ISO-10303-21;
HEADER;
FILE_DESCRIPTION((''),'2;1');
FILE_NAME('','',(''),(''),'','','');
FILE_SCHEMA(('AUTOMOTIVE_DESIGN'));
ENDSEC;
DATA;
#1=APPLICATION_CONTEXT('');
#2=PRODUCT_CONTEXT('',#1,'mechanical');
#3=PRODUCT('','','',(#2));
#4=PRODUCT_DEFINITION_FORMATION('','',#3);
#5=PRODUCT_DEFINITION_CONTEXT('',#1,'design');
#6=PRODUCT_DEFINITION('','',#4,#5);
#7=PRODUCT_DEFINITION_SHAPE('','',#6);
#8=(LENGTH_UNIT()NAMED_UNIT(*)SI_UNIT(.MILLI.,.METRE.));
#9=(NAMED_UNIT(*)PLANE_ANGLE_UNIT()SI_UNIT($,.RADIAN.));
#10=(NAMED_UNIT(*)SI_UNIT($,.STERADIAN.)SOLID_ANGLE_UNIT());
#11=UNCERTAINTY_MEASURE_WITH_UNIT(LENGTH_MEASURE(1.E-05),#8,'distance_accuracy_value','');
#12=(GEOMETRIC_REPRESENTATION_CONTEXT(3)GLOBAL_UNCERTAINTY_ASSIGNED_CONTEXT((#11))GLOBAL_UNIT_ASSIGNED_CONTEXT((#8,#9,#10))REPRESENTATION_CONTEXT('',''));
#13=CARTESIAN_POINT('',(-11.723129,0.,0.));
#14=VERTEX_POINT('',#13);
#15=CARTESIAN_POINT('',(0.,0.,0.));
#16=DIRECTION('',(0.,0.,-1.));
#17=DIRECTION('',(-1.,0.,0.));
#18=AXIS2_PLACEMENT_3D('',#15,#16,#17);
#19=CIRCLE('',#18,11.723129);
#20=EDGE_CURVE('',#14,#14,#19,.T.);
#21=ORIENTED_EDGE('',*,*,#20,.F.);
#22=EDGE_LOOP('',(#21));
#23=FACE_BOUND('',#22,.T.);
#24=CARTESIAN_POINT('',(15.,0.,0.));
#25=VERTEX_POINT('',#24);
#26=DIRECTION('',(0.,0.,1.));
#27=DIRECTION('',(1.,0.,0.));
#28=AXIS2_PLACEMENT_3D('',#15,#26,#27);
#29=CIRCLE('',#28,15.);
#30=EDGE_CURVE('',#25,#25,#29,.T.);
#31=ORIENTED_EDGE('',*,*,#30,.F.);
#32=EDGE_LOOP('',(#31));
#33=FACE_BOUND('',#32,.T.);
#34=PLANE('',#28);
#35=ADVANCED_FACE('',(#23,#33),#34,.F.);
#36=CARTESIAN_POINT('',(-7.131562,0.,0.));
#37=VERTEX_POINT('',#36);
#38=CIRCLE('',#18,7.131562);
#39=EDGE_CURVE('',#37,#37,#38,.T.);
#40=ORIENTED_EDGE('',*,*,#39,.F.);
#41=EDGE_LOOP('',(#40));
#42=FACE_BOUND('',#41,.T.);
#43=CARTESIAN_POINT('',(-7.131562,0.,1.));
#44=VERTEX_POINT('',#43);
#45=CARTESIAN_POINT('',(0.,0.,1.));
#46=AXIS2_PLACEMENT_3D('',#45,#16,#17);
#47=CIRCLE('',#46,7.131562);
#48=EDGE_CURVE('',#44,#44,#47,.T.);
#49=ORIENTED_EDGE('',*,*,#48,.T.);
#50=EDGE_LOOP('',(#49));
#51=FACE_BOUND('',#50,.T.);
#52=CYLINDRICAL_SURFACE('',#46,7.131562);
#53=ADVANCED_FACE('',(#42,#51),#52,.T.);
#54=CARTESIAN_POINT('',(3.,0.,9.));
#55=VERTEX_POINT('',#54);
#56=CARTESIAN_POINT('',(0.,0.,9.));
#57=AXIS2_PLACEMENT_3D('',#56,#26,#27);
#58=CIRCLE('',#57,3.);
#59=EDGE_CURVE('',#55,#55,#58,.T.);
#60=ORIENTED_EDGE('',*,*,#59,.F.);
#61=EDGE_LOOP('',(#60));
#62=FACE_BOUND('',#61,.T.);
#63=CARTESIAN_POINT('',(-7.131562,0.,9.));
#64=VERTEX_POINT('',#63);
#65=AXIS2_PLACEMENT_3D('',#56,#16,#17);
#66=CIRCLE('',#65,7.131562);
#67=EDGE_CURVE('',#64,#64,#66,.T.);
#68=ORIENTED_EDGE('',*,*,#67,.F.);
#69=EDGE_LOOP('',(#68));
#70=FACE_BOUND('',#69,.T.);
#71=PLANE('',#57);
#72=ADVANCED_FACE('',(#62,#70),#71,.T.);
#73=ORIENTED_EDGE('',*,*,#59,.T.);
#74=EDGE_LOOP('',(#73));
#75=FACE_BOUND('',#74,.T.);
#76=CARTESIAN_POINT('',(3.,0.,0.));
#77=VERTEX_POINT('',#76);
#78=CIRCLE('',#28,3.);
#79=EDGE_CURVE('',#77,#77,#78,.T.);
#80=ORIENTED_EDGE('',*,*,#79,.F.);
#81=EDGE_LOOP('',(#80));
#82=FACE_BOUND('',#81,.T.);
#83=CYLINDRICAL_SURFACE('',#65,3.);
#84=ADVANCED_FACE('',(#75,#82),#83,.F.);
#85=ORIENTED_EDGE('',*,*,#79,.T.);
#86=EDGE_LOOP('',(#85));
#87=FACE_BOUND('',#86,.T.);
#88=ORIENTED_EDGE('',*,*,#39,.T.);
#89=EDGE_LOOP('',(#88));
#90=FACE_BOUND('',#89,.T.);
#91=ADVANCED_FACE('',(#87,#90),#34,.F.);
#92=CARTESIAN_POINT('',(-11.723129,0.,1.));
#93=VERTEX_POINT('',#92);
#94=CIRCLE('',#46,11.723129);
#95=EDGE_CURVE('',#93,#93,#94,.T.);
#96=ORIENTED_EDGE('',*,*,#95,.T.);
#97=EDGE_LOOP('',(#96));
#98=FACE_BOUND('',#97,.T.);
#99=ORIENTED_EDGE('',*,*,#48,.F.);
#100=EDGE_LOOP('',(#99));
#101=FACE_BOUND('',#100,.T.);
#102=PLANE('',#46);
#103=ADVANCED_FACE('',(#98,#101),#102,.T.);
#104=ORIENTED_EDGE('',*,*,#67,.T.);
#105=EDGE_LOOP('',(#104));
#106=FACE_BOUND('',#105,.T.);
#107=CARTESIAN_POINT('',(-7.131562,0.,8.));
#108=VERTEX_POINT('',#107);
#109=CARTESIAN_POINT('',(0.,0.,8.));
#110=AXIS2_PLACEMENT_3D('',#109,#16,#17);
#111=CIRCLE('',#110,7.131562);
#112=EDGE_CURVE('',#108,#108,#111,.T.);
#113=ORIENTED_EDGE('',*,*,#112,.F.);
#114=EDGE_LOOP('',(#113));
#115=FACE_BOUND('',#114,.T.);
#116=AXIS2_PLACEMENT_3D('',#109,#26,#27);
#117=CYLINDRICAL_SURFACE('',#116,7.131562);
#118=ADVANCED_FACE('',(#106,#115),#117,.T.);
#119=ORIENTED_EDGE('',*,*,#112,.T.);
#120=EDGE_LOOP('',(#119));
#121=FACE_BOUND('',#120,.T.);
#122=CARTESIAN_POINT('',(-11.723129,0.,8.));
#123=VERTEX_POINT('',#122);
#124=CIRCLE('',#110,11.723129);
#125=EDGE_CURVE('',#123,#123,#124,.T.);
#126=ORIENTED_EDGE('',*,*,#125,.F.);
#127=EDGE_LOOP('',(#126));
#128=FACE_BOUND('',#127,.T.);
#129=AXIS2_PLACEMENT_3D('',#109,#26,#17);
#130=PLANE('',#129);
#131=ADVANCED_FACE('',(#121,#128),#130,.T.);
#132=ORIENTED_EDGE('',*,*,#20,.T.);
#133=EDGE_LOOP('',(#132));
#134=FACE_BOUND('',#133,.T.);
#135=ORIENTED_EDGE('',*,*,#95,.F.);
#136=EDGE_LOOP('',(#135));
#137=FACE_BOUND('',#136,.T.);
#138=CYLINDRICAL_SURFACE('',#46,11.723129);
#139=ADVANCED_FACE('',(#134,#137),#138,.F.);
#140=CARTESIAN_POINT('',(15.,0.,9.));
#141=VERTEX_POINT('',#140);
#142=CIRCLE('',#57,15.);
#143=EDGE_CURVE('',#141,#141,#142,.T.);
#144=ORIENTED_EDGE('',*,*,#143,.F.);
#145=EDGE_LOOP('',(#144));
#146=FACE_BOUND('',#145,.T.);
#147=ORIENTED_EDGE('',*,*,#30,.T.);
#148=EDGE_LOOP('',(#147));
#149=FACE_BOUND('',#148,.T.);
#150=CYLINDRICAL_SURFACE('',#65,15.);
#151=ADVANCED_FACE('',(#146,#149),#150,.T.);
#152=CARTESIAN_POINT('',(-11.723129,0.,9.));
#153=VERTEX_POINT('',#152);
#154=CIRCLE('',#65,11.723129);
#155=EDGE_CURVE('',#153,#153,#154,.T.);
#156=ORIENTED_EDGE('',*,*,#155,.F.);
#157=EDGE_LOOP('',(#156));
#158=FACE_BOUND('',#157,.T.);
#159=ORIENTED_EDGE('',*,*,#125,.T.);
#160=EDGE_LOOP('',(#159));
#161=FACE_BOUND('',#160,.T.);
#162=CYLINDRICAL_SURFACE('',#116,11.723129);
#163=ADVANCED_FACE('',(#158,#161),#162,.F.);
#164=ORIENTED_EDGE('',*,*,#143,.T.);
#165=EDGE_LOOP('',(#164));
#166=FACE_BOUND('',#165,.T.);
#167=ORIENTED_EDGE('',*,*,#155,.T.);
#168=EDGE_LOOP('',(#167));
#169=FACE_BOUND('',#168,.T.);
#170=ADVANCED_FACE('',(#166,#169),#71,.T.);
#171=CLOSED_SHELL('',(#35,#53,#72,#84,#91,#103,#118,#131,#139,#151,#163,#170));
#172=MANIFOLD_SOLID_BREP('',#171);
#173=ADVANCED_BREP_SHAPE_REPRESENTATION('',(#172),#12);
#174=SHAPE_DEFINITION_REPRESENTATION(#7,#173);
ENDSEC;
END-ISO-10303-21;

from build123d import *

# Parameters (mm, degrees)
SKETCH_1_R          = 15
SKETCH_1_R_2        = 3
EXTRUDE_1_DEPTH     = 9
SKETCH_2_R          = 11.723129436
SKETCH_2_R_2        = 7.131561965
CUT_EXTRUDE_1_DEPTH = 1


with BuildPart() as part:
    # 草图1 → 凸台-拉伸1 (new body)
    with BuildSketch(Plane.XY):
        Circle(SKETCH_1_R)
        Circle(SKETCH_1_R_2, mode=Mode.SUBTRACT)
    extrude(amount=EXTRUDE_1_DEPTH)

    # 草图2 → 切除-拉伸1 (cut)
    with BuildSketch(Plane(origin=(0, 0, 0), x_dir=(-1, 0, 0), z_dir=(0, 0, -1))):
        Circle(SKETCH_2_R)
        Circle(SKETCH_2_R_2, mode=Mode.SUBTRACT)
    cut_extrude_1 = extrude(amount=-CUT_EXTRUDE_1_DEPTH, mode=Mode.SUBTRACT)

    # 镜向1: 切除-拉伸1 across plane
    add(cut_extrude_1.mirror(Plane(origin=(0, 0, 4.5), x_dir=(1, 0, 0), z_dir=(0, 0, -1))), mode=Mode.SUBTRACT)


solid = part.part
